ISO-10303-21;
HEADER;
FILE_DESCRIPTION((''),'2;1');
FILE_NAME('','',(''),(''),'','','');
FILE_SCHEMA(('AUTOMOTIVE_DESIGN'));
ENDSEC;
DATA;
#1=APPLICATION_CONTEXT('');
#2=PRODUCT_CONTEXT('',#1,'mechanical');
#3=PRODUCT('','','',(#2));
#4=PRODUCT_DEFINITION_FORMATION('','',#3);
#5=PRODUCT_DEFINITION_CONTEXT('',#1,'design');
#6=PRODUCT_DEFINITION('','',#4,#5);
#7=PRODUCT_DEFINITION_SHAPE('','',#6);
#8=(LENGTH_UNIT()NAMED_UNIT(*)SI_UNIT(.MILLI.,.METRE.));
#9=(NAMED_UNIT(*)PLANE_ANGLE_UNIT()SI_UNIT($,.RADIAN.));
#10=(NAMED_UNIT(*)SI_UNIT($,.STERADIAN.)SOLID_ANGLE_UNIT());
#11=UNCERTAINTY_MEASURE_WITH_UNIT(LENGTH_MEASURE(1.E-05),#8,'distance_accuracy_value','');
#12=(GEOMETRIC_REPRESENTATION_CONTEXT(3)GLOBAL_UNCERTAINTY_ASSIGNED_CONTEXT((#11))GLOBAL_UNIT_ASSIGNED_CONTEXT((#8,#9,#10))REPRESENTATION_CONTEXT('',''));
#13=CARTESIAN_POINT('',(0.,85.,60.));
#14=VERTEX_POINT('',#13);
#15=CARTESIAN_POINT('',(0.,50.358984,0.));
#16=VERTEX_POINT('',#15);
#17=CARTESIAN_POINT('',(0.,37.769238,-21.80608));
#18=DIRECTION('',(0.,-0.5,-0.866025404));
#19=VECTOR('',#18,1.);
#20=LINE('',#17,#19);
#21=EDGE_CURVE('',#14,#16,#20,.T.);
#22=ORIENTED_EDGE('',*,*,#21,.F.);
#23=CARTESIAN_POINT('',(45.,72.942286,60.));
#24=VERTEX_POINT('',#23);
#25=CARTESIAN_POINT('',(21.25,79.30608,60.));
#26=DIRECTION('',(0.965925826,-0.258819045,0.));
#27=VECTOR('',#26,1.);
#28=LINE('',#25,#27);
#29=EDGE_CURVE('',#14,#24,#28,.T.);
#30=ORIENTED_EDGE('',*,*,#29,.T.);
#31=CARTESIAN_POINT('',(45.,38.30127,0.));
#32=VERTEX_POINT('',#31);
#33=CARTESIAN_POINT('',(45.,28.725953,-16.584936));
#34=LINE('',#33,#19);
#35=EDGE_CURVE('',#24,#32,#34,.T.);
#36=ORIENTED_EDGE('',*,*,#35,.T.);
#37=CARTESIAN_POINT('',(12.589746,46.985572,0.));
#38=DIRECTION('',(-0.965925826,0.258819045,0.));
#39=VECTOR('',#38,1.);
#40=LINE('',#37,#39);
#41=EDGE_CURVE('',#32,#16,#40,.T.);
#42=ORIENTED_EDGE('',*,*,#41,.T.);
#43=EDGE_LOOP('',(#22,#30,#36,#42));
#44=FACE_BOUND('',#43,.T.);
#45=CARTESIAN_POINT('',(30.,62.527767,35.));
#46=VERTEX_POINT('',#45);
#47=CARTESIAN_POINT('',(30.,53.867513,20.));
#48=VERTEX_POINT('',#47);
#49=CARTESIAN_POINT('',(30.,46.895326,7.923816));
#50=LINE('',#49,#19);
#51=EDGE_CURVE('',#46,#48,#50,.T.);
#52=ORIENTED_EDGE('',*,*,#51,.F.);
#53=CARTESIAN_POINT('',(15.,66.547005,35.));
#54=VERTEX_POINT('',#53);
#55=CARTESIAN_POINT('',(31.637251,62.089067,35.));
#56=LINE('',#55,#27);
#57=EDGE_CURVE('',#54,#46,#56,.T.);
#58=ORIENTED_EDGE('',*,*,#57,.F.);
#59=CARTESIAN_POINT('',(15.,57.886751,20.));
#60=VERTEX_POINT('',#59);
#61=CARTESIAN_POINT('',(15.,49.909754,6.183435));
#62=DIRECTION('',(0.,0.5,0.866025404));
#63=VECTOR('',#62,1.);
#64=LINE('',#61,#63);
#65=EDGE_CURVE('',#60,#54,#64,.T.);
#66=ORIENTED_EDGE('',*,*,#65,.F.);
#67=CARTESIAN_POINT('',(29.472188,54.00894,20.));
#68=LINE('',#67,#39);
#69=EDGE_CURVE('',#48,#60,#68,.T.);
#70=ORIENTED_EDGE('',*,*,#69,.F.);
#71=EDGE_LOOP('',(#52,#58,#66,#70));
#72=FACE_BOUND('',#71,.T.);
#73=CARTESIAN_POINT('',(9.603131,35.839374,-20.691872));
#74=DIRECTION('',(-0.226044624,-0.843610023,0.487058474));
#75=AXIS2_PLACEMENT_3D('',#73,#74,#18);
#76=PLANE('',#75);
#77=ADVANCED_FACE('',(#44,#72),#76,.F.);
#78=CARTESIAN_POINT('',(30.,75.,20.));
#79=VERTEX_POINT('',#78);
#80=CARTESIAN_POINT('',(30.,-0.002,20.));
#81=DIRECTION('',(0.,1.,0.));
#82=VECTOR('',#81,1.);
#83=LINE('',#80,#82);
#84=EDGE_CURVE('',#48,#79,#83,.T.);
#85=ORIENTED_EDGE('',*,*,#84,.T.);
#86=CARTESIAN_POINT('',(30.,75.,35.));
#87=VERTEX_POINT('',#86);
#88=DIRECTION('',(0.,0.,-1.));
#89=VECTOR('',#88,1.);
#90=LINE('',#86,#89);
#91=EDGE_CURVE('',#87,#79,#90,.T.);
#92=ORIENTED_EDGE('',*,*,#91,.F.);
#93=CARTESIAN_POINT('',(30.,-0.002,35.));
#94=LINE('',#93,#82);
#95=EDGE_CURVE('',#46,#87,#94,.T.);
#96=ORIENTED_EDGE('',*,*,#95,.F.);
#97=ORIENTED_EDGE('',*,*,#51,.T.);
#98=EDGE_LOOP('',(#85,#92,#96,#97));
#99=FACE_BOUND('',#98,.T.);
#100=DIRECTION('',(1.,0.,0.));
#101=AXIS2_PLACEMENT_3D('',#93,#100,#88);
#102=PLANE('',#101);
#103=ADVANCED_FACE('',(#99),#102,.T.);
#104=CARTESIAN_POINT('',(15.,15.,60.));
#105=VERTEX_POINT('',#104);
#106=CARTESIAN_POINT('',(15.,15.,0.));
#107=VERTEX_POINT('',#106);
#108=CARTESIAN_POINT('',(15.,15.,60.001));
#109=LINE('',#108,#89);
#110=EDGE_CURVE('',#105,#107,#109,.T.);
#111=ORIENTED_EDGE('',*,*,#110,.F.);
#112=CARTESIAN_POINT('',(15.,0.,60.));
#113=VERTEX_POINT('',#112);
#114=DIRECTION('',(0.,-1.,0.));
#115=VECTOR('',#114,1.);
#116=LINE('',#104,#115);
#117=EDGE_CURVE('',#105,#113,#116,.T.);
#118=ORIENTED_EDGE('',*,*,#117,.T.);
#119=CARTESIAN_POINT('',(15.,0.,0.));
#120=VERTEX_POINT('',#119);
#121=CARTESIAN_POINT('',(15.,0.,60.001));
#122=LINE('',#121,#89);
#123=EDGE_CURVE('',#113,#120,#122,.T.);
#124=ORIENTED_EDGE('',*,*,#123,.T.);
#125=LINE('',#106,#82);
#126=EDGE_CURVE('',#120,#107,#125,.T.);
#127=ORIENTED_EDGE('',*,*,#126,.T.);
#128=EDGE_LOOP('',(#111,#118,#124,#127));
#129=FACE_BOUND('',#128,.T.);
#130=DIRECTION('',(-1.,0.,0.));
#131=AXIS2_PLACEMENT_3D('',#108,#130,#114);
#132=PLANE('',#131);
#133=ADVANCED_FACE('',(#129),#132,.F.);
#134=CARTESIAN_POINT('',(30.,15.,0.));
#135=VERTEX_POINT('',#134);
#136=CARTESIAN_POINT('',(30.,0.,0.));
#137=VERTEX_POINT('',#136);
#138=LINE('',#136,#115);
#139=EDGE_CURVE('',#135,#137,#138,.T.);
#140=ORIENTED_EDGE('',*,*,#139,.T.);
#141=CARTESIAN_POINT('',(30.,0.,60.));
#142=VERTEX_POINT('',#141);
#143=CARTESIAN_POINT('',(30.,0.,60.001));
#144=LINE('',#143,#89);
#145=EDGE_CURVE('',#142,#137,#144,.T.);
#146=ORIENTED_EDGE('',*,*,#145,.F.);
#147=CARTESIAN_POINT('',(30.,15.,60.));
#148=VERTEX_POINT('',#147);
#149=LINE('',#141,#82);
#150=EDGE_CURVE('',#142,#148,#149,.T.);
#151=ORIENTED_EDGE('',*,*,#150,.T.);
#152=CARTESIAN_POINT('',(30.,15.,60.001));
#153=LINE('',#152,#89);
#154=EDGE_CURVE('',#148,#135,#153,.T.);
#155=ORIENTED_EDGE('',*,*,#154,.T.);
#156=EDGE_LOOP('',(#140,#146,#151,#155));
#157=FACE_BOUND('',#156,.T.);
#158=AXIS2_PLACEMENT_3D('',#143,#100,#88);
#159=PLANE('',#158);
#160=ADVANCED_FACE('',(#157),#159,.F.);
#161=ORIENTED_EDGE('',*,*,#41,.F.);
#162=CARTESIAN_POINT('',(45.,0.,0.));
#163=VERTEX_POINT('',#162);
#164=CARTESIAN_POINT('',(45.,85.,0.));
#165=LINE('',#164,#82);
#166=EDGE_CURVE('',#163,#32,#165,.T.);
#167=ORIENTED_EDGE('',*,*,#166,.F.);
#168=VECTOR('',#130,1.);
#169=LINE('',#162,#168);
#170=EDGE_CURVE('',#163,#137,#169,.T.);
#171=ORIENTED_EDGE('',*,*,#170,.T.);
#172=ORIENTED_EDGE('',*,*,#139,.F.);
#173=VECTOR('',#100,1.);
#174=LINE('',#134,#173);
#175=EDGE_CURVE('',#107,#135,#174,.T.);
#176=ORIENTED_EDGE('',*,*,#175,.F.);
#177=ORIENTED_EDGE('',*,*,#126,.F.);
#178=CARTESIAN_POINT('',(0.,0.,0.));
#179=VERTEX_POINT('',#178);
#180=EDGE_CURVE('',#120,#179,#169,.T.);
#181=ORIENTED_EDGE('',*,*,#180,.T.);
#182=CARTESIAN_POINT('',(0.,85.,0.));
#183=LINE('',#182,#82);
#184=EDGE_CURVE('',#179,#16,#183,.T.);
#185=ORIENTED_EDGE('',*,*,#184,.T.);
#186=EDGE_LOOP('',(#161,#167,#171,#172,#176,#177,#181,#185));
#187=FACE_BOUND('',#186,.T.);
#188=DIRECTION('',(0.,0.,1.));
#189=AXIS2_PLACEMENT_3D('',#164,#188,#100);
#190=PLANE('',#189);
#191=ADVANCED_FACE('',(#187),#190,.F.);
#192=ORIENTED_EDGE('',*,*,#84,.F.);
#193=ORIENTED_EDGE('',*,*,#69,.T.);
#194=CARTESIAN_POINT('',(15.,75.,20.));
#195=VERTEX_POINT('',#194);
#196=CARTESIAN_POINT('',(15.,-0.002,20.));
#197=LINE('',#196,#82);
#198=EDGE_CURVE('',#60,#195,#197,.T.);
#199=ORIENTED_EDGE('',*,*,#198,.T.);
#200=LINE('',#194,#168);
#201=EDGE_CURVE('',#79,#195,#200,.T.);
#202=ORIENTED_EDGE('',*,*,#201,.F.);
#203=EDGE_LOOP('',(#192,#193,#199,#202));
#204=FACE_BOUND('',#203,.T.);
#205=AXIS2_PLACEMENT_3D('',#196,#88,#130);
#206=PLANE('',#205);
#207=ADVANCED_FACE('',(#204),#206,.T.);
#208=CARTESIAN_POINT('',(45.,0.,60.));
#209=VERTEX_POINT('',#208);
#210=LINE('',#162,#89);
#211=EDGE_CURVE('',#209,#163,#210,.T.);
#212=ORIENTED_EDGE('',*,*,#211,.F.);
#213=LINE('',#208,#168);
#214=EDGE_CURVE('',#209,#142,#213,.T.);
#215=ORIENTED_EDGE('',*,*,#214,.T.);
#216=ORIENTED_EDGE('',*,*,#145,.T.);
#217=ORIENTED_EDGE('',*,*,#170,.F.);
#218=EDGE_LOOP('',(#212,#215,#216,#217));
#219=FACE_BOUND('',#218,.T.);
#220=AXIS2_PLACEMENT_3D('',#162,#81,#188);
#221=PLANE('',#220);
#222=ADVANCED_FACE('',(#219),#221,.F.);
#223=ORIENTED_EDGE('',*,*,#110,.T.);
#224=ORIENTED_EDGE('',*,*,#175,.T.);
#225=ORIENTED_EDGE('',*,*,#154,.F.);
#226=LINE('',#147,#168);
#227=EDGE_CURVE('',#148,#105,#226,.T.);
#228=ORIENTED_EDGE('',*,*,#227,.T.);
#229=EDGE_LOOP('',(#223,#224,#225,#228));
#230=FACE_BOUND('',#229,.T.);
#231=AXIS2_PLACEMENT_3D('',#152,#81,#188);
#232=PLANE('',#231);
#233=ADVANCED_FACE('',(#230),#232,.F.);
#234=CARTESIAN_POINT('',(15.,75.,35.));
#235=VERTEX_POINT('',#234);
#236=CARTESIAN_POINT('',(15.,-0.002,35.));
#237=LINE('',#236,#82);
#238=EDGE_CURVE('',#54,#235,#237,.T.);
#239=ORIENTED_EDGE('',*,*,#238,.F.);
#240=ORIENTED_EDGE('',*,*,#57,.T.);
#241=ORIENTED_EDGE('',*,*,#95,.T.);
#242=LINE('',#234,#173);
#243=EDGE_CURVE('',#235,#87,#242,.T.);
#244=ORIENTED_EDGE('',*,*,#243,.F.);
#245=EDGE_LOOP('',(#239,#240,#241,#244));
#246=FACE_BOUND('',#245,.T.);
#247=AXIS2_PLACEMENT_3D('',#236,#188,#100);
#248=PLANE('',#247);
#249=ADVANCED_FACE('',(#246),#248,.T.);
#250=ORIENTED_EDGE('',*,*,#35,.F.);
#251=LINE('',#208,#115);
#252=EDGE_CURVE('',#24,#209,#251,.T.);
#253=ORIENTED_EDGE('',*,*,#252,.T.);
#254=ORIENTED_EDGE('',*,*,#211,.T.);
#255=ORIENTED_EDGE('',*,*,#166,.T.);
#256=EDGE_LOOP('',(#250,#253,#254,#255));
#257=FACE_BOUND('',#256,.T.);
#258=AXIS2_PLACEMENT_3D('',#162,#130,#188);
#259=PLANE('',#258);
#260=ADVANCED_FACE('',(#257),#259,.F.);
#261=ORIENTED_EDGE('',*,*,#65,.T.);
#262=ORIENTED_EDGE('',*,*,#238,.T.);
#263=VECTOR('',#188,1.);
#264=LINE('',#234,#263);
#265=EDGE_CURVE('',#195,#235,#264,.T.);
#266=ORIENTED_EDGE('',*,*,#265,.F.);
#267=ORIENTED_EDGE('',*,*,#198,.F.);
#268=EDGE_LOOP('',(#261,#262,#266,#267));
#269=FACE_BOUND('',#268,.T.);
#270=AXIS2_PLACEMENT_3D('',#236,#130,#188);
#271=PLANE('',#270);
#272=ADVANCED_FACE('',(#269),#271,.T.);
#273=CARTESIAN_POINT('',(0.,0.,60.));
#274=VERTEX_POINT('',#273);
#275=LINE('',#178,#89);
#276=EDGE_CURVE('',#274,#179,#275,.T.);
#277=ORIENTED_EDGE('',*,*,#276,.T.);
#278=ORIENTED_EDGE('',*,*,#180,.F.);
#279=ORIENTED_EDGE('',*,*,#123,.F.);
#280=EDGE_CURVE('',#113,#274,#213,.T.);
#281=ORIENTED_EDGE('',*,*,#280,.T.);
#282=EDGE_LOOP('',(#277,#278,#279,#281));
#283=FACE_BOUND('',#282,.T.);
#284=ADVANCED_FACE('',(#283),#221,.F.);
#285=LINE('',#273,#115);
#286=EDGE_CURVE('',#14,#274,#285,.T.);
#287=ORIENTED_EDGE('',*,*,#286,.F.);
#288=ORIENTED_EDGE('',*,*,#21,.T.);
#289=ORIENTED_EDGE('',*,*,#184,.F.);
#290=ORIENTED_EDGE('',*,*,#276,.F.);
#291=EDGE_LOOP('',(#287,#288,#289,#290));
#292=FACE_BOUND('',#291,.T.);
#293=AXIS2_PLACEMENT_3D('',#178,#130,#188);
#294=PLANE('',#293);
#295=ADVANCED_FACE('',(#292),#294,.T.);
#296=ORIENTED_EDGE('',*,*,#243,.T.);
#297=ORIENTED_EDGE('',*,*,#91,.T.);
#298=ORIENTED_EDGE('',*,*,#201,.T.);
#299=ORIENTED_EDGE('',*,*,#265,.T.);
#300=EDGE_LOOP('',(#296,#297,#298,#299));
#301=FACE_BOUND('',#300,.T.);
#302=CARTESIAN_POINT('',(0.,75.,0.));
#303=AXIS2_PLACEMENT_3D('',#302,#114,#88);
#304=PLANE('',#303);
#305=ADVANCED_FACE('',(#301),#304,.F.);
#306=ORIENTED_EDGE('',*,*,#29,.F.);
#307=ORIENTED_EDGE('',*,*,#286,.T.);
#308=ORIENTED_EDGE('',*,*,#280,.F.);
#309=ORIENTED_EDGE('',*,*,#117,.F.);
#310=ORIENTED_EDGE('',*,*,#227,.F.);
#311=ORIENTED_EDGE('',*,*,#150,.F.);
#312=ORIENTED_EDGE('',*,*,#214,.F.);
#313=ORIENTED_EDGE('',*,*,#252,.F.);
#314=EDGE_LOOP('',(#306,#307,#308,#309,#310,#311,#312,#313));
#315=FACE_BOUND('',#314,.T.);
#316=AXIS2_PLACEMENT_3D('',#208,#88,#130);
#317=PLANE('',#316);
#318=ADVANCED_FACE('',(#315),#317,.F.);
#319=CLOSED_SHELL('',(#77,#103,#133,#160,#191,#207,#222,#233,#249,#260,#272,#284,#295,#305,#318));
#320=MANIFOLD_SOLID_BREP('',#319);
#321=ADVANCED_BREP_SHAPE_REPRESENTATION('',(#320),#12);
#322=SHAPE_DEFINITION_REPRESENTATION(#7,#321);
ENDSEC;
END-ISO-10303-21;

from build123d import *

# Parameters (mm, degrees)
ESBO_O1_W                = 60
ESBO_O1_H                = 85
RESSALTO_EXTRUS_O1_DEPTH = 45
CORTE_EXTRUS_O1_REACH    = 102.9
ESBO_O7_W                = 70
ESBO_O7_H                = 90
RESSALTO_EXTRUS_O2_REACH = 108.066
ESBO_O8_W                = 15
ESBO_O8_H                = 15
CORTE_EXTRUS_O2_REACH    = 115.358
ESBO_O9_W                = 15
ESBO_O9_H                = 15


with BuildPart() as part:
    # Esboço1 → Ressalto-extrusão1 (new body)
    with BuildSketch(Plane(origin=(0, 0, 0), x_dir=(0, 0, -1), z_dir=(1, 0, 0))):
        with Locations((-30, 42.5)):
            Rectangle(ESBO_O1_W, ESBO_O1_H)
    extrude(amount=RESSALTO_EXTRUS_O1_DEPTH)

    # Esboço7 → Corte-extrusão1 (cut, up to next)
    with BuildSketch(Plane(origin=(9.603131429, 35.839374403, -20.691872459), x_dir=(-0.9741169476962972, 0.19576038710152016, -0.11302231218972801), z_dir=(-0.22604462437945605, -0.8436100229619508, 0.48705847384814865)), mode=Mode.PRIVATE) as corte_extrus_o1_sk1:
        with Locations((-10.222277995, -55.295886242)):
            Rectangle(ESBO_O7_W, ESBO_O7_H)
    corte_extrus_o1_tool1 = extrude(corte_extrus_o1_sk1.sketch, amount=-CORTE_EXTRUS_O1_REACH, mode=Mode.PRIVATE) & part.part
    add(corte_extrus_o1_tool1.solids().sort_by_distance((19.560826, 61.4862, 28.351115))[0], mode=Mode.SUBTRACT)

    # Ressalto-extrusão2: up to this plane
    ressalto_extrus_o2_end = Plane(origin=(9.603131429, 35.839374403, -20.691872459), z_dir=(-0.22604462437945594, -0.8436100229619508, 0.4870584738481487))
    # Esboço8 → Ressalto-extrusão2 (add, up to the surface)
    with BuildSketch(Plane(origin=(0, 75, 0), x_dir=(1, 0, 0), z_dir=(0, 1, 0)), mode=Mode.PRIVATE) as ressalto_extrus_o2_sk1:
        with Locations((22.5, -27.5)):
            Rectangle(ESBO_O8_W, ESBO_O8_H)
    ressalto_extrus_o2_tool1 = split(extrude(ressalto_extrus_o2_sk1.sketch, amount=-RESSALTO_EXTRUS_O2_REACH, mode=Mode.PRIVATE), bisect_by=ressalto_extrus_o2_end, keep=Keep.BOTH, mode=Mode.PRIVATE)
    add(ressalto_extrus_o2_tool1.solids().sort_by_distance((22.5, 75, 27.5))[0])

    # Esboço9 → Corte-extrusão2 (cut, up to next)
    with BuildSketch(Plane(origin=(0, 0, 0), x_dir=(-1, 0, 0), z_dir=(0, 0, -1)), mode=Mode.PRIVATE) as corte_extrus_o2_sk1:
        with Locations((-22.5, 7.5)):
            Rectangle(ESBO_O9_W, ESBO_O9_H)
    corte_extrus_o2_tool1 = extrude(corte_extrus_o2_sk1.sketch, amount=-CORTE_EXTRUS_O2_REACH, mode=Mode.PRIVATE) & part.part
    add(corte_extrus_o2_tool1.solids().sort_by_distance((22.5, 7.5, 0))[0], mode=Mode.SUBTRACT)


solid = part.part
